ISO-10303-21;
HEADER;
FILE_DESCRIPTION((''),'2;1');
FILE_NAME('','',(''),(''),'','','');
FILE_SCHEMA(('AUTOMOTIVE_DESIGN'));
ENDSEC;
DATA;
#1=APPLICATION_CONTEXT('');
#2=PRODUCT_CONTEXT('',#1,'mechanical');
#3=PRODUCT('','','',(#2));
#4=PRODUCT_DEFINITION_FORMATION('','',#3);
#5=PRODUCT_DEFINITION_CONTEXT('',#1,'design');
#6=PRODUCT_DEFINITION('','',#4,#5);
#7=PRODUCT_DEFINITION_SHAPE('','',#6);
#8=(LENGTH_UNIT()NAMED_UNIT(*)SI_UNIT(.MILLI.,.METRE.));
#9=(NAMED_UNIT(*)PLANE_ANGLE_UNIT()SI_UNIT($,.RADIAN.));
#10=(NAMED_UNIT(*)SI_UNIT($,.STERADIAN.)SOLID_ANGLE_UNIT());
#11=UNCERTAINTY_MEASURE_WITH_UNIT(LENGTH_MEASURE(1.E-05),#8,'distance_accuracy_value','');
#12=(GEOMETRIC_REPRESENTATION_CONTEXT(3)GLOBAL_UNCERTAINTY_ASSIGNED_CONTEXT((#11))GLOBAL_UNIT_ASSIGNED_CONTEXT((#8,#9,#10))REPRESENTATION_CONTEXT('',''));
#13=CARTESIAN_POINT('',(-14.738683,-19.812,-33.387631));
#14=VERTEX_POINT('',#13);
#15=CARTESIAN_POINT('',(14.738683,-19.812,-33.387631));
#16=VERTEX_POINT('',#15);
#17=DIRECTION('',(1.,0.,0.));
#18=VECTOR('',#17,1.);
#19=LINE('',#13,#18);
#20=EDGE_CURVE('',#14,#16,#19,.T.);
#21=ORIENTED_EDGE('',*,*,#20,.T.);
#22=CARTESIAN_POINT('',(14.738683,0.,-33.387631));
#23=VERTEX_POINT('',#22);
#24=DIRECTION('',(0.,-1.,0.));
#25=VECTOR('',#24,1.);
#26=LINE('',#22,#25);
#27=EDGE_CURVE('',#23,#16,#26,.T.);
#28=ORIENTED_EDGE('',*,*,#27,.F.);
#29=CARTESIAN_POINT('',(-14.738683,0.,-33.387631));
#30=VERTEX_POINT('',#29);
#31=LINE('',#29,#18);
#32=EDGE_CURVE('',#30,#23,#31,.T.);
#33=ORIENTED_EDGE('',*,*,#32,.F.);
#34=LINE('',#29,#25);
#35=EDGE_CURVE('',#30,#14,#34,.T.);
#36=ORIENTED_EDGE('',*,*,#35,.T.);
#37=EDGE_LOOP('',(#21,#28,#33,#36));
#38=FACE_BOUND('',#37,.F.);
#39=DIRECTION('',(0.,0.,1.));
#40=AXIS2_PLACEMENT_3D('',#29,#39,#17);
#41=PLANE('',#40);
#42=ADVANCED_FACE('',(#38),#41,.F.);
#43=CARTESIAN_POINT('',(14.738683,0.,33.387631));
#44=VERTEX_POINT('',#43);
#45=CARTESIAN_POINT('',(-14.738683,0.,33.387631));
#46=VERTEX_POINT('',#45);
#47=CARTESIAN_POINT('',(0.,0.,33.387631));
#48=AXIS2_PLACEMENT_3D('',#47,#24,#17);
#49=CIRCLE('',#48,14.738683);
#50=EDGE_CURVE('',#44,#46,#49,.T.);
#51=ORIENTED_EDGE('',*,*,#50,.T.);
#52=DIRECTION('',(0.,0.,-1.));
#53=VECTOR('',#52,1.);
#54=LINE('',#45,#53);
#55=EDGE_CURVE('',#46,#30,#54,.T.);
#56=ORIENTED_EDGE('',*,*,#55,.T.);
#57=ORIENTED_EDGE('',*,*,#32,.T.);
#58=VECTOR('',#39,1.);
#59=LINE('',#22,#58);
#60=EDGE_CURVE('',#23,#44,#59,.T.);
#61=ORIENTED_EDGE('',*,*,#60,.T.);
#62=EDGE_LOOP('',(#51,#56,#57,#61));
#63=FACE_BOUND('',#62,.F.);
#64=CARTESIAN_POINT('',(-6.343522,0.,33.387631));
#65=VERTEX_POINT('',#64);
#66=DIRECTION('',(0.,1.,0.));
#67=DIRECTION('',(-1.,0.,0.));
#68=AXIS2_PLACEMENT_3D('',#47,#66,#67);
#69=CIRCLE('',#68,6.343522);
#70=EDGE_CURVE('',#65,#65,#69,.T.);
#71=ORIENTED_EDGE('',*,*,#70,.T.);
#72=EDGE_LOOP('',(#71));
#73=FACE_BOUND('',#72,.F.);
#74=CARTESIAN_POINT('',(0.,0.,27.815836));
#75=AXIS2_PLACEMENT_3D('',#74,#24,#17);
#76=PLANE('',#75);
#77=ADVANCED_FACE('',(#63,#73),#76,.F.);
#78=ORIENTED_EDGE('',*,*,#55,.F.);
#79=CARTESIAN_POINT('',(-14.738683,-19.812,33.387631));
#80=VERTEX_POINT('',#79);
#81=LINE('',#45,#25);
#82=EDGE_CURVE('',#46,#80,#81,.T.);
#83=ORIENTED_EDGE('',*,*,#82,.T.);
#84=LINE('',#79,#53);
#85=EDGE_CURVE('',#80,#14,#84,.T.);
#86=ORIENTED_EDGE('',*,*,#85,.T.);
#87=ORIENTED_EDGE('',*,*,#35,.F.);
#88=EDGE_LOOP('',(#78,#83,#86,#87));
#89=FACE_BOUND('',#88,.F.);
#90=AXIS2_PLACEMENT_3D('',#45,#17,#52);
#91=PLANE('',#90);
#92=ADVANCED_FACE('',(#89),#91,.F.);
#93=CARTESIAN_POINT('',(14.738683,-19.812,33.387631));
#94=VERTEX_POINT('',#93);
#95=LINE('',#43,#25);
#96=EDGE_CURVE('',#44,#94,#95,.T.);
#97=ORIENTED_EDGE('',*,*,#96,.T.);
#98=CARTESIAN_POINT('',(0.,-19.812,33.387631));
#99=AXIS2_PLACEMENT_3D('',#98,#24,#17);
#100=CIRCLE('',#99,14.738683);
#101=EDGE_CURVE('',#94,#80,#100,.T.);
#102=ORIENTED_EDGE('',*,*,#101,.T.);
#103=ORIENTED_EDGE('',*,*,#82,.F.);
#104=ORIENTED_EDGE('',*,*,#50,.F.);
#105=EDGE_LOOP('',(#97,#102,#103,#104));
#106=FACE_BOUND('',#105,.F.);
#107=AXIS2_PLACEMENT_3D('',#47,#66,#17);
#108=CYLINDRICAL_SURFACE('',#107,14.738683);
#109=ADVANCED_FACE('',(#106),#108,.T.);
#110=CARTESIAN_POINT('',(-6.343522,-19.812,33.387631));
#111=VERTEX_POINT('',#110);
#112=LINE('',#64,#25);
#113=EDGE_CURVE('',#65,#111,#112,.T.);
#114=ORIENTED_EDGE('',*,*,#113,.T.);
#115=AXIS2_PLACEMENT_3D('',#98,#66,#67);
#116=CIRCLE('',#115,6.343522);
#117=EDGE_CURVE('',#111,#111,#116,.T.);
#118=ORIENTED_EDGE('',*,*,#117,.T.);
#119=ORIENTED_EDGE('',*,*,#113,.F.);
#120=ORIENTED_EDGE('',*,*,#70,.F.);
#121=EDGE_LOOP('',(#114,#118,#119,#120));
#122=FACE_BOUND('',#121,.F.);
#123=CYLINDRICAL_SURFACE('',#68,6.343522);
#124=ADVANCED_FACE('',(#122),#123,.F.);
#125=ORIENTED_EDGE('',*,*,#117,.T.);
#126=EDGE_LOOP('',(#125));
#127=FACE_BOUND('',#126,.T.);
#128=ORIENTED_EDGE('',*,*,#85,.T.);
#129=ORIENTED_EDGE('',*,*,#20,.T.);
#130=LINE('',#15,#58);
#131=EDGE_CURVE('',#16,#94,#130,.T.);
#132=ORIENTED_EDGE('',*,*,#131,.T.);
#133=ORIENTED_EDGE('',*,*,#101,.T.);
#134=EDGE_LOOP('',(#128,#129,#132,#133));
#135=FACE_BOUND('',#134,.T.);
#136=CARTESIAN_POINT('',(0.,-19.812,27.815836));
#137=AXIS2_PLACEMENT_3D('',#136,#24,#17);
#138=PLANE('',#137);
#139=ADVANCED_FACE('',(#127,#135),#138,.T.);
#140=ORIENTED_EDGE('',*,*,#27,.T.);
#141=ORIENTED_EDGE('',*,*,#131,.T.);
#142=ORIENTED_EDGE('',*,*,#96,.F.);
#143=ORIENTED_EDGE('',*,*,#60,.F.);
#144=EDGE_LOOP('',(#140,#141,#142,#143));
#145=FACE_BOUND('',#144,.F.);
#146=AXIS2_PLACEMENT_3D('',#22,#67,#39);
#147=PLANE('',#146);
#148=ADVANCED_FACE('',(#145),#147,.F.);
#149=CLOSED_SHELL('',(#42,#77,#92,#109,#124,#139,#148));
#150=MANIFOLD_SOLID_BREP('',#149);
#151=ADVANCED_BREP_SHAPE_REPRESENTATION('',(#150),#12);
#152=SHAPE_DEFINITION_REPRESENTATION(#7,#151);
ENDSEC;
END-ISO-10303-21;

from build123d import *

# Parameters (mm, degrees)
F1_DEPTH = 19.812


with BuildPart() as f1:
    # F0 (on Front) → F1 (new body)
    with BuildSketch(Plane.XZ):
        with BuildLine():
            ThreePointArc((-14.738683, 33.387631), (0, 18.648949), (14.738683, 33.387631))
            Line((14.738683, 33.387631), (6.343522, 33.387631))
            ThreePointArc((6.343522, 33.387631), (0, 27.044109), (-6.343522, 33.387631))
            Line((-6.343522, 33.387631), (-14.738683, 33.387631))
        make_face()
        with BuildLine():
            Line((6.343522, 33.387631), (14.738683, 33.387631))
            ThreePointArc((14.738683, 33.387631), (0, 48.126314), (-14.738683, 33.387631))
            Line((-14.738683, 33.387631), (-6.343522, 33.387631))
            ThreePointArc((-6.343522, 33.387631), (0, 39.731153), (6.343522, 33.387631))
        make_face()
        with BuildLine():
            Line((-14.738683, -33.387631), (14.738683, -33.387631))
            Line((14.738683, -33.387631), (14.738683, 33.387631))
            ThreePointArc((14.738683, 33.387631), (0, 18.648949), (-14.738683, 33.387631))
            Line((-14.738683, 33.387631), (-14.738683, -33.387631))
        make_face()
    extrude(amount=F1_DEPTH)


solid = f1.part
